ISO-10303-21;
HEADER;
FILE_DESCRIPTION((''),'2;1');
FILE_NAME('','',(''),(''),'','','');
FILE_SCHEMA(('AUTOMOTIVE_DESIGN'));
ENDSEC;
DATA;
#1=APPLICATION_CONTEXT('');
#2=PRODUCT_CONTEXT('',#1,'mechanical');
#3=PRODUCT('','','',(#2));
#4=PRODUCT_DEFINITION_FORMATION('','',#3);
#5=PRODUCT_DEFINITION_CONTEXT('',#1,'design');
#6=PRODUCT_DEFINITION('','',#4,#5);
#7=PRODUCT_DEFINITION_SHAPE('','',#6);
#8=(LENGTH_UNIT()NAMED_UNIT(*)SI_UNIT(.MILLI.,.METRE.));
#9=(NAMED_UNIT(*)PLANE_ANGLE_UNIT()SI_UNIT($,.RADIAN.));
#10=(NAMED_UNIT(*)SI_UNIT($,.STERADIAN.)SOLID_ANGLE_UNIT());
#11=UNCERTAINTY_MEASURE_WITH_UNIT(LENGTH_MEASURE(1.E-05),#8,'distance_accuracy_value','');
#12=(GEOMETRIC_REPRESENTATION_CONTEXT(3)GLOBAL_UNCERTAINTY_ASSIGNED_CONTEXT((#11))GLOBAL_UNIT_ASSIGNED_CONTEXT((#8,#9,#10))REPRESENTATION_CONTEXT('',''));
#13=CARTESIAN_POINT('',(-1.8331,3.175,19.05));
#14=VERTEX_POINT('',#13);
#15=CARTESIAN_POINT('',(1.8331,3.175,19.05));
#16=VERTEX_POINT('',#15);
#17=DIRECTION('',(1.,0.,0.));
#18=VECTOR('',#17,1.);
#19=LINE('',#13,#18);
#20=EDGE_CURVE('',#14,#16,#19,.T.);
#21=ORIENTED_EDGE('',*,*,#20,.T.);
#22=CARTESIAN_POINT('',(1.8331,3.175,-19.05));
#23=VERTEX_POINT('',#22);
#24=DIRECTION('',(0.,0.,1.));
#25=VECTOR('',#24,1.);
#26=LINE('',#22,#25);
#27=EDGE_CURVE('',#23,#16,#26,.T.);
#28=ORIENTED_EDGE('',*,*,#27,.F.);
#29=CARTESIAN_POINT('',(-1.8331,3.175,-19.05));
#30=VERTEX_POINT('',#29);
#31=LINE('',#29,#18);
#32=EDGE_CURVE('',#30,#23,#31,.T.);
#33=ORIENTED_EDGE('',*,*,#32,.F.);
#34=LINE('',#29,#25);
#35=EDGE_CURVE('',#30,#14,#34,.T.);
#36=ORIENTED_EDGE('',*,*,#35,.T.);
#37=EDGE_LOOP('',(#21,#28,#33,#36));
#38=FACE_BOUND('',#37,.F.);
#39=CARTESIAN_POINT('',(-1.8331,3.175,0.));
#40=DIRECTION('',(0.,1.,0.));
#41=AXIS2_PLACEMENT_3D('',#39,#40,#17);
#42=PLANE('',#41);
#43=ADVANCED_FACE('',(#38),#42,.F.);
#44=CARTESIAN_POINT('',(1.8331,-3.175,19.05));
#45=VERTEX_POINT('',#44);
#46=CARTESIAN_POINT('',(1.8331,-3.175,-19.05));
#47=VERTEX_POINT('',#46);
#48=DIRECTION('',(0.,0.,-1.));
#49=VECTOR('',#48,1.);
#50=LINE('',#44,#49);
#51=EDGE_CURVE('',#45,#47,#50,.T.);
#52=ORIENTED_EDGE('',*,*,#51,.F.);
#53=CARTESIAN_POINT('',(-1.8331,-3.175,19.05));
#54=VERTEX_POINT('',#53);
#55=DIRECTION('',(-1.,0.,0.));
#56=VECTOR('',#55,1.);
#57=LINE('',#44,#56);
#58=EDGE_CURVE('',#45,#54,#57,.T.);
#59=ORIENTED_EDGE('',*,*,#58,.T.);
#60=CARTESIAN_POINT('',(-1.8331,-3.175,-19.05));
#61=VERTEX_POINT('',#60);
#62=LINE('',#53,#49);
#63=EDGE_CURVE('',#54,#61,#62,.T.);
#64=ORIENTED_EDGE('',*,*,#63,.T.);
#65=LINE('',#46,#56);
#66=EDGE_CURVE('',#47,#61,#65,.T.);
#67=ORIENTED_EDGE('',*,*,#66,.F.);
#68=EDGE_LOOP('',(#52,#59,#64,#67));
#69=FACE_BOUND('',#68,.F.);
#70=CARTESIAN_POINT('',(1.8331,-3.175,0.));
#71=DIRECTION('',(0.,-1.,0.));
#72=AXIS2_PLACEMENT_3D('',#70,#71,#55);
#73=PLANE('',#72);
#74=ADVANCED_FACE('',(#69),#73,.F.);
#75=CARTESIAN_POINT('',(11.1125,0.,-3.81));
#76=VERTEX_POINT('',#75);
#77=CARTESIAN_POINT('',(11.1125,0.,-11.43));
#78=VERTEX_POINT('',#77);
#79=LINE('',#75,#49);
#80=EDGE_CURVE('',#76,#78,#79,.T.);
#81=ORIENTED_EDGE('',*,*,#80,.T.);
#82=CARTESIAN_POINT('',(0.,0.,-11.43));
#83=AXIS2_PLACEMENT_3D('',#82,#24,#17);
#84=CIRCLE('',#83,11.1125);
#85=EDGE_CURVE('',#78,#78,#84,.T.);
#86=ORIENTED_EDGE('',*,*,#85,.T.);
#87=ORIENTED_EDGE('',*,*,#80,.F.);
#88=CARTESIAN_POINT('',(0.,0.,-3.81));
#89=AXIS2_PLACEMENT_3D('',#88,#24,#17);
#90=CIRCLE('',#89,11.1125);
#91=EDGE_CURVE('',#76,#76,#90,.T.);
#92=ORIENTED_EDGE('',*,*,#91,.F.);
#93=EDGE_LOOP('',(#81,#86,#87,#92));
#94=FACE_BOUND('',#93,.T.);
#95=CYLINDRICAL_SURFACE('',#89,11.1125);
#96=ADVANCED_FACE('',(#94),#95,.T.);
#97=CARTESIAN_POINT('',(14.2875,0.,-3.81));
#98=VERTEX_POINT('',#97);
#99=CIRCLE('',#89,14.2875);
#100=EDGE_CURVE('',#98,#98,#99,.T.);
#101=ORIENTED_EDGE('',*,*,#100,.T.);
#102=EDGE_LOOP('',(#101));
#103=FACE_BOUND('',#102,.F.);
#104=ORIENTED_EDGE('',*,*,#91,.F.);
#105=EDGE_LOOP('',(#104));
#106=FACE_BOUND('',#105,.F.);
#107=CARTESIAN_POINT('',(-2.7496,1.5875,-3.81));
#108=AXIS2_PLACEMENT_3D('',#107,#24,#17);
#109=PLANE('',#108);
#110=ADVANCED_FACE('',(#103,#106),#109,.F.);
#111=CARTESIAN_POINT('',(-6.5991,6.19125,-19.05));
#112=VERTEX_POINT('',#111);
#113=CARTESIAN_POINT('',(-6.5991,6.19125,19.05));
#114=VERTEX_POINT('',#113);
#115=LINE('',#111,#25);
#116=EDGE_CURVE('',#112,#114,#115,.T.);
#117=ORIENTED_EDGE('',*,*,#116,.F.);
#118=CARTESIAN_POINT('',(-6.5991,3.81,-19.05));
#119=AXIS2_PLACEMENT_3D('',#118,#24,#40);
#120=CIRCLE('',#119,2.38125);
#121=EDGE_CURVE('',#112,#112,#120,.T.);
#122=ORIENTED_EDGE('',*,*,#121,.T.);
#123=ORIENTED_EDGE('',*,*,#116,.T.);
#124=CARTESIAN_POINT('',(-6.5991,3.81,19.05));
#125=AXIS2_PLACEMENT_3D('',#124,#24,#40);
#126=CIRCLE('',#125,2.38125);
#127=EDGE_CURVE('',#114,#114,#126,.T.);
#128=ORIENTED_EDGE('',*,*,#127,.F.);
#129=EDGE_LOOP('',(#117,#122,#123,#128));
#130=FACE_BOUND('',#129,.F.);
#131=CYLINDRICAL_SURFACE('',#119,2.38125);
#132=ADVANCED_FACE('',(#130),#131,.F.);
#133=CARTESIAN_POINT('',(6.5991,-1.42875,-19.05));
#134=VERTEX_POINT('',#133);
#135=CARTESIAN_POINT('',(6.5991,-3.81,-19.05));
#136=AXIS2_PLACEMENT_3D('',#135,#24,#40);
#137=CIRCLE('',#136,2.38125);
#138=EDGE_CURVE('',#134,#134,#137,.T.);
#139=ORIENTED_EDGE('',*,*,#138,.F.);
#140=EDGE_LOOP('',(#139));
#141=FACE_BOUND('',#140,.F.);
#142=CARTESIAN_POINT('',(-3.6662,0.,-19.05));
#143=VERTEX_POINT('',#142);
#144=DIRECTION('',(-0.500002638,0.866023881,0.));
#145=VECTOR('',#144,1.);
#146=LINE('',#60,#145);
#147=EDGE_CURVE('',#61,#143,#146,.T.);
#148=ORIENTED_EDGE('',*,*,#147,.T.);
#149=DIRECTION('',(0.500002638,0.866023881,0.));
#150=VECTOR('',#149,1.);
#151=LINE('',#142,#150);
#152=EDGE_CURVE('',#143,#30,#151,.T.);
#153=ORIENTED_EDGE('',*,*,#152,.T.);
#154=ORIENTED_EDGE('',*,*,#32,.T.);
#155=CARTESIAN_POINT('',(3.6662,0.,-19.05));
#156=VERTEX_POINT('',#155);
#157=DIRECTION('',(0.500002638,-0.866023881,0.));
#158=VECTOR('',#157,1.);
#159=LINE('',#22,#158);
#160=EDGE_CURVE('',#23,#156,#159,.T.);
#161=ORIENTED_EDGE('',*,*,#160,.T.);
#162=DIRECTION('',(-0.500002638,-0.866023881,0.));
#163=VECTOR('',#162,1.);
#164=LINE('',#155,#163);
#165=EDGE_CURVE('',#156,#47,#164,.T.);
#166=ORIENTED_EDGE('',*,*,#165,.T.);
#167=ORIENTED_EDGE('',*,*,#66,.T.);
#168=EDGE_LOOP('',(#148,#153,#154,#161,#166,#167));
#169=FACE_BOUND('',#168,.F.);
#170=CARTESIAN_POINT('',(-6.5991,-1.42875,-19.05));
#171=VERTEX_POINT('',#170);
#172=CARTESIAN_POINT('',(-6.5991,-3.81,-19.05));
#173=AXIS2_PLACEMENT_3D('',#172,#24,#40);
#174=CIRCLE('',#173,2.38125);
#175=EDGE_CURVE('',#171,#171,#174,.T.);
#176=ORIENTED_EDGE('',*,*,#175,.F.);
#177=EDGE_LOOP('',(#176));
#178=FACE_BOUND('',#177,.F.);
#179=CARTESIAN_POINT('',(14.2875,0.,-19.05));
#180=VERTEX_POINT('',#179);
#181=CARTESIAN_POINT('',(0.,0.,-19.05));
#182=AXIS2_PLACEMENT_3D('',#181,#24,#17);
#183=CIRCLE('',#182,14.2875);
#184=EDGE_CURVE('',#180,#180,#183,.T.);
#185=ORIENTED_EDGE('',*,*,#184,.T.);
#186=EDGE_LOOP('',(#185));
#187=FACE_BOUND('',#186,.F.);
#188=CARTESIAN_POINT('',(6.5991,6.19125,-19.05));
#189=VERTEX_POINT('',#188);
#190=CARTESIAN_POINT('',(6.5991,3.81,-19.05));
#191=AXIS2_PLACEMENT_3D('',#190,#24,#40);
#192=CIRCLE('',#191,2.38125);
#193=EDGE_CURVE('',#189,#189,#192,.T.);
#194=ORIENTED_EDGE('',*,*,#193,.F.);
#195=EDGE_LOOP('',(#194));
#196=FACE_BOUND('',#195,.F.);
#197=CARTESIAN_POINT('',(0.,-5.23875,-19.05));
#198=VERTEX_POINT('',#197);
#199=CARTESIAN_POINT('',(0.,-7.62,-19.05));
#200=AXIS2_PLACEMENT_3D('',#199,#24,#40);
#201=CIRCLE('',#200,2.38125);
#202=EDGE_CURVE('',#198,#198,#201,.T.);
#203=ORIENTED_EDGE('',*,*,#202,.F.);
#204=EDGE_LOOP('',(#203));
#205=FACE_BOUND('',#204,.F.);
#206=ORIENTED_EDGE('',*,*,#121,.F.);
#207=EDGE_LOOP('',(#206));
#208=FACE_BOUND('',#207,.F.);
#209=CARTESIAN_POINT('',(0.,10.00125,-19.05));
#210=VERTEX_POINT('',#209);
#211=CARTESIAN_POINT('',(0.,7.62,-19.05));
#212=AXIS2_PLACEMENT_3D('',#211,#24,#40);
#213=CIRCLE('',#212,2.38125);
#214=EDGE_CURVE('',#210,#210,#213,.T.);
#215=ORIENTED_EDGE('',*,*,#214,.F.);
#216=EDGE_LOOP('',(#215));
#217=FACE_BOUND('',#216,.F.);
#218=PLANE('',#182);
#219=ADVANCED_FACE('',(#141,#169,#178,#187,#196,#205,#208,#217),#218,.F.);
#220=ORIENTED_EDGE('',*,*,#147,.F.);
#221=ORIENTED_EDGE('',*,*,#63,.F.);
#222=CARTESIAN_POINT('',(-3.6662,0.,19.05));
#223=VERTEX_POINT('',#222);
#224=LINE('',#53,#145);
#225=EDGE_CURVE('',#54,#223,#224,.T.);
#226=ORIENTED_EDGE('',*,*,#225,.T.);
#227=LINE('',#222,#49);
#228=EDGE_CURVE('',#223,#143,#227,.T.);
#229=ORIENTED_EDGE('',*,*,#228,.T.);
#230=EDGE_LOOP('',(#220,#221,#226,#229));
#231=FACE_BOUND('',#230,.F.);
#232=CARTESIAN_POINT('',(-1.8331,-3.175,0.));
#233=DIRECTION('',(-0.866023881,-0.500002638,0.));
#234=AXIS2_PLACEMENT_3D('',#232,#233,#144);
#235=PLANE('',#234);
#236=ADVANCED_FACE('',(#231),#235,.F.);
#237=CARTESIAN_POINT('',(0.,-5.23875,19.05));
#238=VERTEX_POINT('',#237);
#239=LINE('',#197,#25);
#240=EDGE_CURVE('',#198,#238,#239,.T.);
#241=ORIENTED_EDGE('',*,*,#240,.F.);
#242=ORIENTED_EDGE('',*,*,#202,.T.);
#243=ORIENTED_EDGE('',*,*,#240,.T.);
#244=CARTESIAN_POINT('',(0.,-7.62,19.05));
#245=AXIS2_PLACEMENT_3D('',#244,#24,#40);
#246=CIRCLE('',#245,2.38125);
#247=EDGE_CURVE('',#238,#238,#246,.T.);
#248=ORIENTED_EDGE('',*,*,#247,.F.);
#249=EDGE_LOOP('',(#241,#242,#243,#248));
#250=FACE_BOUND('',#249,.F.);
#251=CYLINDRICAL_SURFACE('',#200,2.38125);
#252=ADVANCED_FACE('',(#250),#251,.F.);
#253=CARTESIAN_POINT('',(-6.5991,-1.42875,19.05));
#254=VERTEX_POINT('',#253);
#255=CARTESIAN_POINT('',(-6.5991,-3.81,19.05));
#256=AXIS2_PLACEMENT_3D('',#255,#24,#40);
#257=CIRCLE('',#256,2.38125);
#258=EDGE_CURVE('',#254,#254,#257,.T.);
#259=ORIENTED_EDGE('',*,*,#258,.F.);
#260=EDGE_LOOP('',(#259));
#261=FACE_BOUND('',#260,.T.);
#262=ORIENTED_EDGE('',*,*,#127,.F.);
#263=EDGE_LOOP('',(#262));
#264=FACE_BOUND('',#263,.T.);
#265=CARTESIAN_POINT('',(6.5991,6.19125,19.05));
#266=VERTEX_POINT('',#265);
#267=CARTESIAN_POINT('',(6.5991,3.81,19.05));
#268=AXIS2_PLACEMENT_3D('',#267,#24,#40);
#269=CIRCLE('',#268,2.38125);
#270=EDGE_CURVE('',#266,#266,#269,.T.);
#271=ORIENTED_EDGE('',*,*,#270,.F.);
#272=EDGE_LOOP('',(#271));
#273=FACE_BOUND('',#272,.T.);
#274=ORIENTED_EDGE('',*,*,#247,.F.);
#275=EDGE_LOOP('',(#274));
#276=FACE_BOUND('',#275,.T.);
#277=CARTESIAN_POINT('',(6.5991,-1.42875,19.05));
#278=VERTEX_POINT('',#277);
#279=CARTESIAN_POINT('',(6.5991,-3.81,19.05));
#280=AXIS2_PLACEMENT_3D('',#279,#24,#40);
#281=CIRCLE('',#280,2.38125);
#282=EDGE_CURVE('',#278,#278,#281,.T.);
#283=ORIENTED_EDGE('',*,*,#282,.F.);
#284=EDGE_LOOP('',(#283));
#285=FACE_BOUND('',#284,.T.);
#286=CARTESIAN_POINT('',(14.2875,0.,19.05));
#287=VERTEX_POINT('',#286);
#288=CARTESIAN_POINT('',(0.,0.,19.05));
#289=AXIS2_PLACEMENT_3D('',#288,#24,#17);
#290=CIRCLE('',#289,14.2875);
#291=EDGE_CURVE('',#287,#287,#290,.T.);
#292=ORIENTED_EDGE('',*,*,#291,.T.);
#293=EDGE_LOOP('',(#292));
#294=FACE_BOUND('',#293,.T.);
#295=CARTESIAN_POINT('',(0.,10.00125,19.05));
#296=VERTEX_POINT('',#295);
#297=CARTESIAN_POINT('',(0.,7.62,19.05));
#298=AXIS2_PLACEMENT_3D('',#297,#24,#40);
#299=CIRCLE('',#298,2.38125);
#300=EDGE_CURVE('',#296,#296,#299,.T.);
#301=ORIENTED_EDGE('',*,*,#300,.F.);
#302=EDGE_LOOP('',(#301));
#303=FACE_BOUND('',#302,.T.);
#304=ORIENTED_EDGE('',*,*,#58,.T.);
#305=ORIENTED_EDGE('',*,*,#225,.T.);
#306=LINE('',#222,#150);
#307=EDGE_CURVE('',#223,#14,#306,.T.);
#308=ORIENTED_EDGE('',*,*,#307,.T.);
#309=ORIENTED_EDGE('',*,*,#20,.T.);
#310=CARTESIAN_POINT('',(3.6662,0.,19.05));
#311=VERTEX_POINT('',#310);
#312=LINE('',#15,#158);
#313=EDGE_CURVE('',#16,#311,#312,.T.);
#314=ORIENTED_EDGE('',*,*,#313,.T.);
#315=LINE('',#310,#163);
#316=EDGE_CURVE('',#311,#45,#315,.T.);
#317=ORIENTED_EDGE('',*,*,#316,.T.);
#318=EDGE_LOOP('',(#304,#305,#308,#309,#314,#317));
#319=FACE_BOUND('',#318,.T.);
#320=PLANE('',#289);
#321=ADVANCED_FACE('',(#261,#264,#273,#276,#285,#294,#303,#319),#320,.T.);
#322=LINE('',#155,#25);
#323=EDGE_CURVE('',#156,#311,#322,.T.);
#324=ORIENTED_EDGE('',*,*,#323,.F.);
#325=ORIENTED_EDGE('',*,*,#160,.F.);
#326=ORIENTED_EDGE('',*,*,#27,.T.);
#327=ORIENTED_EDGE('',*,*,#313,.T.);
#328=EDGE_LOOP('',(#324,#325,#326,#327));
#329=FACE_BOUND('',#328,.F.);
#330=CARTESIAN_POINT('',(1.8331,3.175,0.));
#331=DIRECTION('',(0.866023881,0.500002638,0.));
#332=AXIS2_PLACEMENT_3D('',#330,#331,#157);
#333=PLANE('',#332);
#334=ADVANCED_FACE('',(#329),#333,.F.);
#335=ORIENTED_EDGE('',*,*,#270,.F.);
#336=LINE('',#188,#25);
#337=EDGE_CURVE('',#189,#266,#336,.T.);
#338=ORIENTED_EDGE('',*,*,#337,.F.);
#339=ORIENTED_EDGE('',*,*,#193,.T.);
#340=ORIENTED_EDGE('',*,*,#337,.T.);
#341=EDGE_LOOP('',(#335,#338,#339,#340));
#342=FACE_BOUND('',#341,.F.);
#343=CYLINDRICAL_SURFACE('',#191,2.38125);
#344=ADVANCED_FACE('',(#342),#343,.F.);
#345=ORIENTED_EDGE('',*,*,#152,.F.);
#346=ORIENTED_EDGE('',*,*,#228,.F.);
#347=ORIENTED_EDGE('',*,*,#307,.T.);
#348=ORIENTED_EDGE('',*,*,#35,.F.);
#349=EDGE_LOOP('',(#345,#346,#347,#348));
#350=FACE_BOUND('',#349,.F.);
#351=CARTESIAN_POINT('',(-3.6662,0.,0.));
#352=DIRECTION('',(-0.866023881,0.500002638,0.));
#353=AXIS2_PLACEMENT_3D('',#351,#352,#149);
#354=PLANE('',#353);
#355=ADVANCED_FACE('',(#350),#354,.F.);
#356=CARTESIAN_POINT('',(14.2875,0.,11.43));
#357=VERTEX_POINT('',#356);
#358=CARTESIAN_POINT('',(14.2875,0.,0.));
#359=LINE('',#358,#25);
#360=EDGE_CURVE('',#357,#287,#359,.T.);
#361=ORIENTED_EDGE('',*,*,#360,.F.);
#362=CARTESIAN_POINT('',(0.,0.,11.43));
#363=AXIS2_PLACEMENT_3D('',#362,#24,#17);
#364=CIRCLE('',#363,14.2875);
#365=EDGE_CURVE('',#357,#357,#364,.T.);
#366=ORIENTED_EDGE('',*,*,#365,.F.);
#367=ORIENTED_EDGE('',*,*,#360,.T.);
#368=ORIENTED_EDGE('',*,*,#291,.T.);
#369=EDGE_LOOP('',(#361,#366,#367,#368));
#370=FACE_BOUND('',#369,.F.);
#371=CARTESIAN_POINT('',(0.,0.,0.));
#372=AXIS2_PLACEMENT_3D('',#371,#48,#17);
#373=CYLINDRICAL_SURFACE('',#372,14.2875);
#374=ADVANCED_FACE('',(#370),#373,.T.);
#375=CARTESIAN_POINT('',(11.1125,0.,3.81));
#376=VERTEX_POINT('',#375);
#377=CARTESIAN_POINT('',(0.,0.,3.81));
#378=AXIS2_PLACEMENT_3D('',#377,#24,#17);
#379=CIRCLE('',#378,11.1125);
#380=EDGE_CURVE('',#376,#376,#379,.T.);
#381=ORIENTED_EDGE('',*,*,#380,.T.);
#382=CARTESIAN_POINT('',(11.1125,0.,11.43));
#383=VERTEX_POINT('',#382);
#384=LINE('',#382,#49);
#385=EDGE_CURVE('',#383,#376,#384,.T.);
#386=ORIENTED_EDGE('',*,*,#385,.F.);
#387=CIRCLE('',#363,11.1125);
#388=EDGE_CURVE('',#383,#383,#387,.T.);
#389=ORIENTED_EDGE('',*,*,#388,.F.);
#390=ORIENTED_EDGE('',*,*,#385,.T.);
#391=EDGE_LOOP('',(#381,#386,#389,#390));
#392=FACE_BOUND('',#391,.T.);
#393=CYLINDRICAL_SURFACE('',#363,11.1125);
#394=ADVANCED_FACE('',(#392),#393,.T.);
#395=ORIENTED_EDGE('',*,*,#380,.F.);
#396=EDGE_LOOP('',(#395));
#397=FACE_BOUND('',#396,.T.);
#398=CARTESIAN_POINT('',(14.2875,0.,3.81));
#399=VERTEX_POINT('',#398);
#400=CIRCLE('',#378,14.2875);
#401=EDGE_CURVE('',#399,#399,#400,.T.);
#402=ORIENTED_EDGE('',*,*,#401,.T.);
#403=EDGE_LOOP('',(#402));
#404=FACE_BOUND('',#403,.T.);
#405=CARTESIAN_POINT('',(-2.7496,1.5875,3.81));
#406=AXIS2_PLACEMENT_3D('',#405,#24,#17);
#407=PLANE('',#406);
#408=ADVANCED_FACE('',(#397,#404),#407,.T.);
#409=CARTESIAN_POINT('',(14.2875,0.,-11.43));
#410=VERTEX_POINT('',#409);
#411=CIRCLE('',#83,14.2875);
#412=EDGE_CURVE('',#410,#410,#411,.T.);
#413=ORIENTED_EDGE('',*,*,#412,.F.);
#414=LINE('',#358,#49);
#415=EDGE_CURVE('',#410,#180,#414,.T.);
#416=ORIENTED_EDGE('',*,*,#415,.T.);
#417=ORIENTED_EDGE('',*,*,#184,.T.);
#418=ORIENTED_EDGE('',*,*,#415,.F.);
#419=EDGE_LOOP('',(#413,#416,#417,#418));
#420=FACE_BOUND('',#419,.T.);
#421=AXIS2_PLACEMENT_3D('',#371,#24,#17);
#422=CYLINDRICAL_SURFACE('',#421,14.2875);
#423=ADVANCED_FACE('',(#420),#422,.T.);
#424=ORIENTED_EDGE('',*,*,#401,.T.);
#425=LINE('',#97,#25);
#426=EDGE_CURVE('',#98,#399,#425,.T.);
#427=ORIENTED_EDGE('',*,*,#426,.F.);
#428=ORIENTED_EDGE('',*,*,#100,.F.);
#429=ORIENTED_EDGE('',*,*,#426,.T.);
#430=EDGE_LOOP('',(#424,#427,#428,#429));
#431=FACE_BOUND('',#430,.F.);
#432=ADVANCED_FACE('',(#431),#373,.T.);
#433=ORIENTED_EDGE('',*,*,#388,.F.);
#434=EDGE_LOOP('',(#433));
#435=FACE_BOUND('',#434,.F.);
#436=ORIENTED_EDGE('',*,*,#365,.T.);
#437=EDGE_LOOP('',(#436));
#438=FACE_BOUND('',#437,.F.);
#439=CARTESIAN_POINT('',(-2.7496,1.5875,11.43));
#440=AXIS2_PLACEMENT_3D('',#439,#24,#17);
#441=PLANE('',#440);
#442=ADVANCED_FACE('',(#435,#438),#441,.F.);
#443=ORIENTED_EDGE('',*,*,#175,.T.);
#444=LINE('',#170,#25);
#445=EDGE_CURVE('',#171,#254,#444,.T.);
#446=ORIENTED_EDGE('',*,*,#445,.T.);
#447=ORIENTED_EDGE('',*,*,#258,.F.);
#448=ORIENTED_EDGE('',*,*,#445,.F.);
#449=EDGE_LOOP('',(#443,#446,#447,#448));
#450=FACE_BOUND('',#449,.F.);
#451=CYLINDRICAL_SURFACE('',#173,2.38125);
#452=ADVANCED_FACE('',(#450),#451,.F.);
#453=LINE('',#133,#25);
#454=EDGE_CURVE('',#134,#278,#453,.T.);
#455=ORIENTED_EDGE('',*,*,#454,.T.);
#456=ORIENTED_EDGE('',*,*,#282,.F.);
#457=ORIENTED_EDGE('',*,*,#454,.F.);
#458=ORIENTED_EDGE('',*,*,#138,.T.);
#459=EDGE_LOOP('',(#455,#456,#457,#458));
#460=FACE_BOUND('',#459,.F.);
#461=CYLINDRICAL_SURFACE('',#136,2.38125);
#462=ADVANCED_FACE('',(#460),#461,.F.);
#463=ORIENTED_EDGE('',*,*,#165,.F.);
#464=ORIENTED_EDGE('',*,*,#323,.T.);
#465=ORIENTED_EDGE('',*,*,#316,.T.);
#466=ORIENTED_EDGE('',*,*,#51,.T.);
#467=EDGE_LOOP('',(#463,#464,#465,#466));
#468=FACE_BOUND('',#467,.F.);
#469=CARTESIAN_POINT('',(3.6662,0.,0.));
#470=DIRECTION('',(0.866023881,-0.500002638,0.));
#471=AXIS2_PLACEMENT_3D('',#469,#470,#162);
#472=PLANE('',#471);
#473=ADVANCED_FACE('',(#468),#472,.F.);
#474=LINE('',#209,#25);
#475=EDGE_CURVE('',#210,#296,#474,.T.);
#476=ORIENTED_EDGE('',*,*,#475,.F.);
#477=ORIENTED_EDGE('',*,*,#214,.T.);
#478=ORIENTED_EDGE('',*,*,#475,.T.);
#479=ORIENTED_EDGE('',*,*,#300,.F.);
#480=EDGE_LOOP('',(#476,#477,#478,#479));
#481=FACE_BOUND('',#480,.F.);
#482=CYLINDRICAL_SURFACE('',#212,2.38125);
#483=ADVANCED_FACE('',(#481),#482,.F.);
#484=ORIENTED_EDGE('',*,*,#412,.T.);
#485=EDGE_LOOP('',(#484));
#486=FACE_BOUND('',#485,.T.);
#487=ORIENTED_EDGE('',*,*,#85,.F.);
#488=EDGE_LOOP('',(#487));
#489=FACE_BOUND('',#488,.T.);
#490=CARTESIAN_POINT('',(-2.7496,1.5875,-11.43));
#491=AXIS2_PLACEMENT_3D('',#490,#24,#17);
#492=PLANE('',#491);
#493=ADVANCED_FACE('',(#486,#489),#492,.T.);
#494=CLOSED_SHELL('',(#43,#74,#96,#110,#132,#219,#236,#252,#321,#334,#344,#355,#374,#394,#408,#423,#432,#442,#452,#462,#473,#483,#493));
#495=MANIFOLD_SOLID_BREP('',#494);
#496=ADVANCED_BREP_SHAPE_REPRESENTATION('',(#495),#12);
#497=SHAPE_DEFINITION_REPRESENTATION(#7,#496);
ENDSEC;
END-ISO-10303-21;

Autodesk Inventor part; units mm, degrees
ref_plane "YZ Plane" through (0, 0, 0) normal (1, 0, 0) x (0, 1, 0)
ref_plane "XZ Plane" through (0, 0, 0) normal (0, 1, 0) x (-1, 0, 0)
sketch "Sketch1" plane through (0, 0, 0) normal (0, 0, 1) x (1, 0, 0)
  line L0 (-1.8331, 3.175) -> (1.8331, 3.175)
  line L1 (1.8331, 3.175) -> (3.6662, 0)
  line L2 (3.6662, 0) -> (1.8331, -3.175)
  line L3 (1.8331, -3.175) -> (-1.8331, -3.175)
  line L4 (-1.8331, -3.175) -> (-3.6662, 0)
  line L5 (-3.6662, 0) -> (-1.8331, 3.175)
  circle A0 centre (0, 0) radius 14.2875
  dimension "d1" = 6.35
  dimension "d4" = 28.575
extrude "Extrusion1" add sketch "Sketch1" along normal mid plane 38.1
ref_plane "Work Plane5" through (-2.7496, 1.5875, -11.43) normal (0, 0, 1) x (1, 0, 0)
ref_plane "Work Plane4" through (-2.7496, 1.5875, -3.81) normal (0, 0, 1) x (1, 0, 0)
sketch "Sketch2" plane through (-2.7496, 1.5875, 11.43) normal (0, 0, 1) x (1, 0, 0)
  circle A0 centre (2.7496, -1.5875) radius 11.1125
  circle A1 centre (2.7496, -1.5875) radius 14.2875 projected
  dimension "d9" = 22.225
extrude "Extrusion2" cut sketch "Sketch2" against normal blind 7.62
sketch "Sketch3" plane through (-2.7496, 1.5875, -3.81) normal (0, 0, 1) x (1, 0, 0)
  circle A0 centre (2.7496, -1.5875) radius 14.2875 projected
  circle A1 centre (2.7496, -1.5875) radius 11.1125 projected
  point P0 (2.7351, -1.6125)
sketch "Sketch4" plane through (0, 0, -19.05) normal (0, 0, -1) x (-1, 0, 0)
  circle A0 centre (0, 0) radius 14.2875 projected
  point P0 (0, 7.62)
  point P1 (-6.5991, 3.81)
  point P2 (-6.5991, -3.81)
  point P3 (0, -7.62)
  point P4 (6.5991, -3.81)
  point P5 (6.5991, 3.81)
  dimension "d15" = 7.62
  dimension "d18" = 360
hole "Hole1" at (0, 7.62, -19.05) at (6.5991, 3.81, -19.05) at (6.5991, -3.81, -19.05) at (0, -7.62, -19.05) at (-6.5991, -3.81, -19.05) at (-6.5991, 3.81, -19.05) direction (0, 0, 1) diameter 4.7625 end through all
extrude "Extrusion4" cut sketch "Sketch3" against normal blind 7.62
ref_plane "Work Plane1" through (-2.7496, 1.5875, 19.05) normal (0, 0, 1) x (1, 0, 0)
ref_plane "Work Plane2" through (-2.7496, 1.5875, 11.43) normal (0, 0, 1) x (1, 0, 0)
ref_plane "Work Plane3" through (-2.7496, 1.5875, 3.81) normal (0, 0, 1) x (1, 0, 0)
properties part number "WheelHub" material "Aluminum-6061"
